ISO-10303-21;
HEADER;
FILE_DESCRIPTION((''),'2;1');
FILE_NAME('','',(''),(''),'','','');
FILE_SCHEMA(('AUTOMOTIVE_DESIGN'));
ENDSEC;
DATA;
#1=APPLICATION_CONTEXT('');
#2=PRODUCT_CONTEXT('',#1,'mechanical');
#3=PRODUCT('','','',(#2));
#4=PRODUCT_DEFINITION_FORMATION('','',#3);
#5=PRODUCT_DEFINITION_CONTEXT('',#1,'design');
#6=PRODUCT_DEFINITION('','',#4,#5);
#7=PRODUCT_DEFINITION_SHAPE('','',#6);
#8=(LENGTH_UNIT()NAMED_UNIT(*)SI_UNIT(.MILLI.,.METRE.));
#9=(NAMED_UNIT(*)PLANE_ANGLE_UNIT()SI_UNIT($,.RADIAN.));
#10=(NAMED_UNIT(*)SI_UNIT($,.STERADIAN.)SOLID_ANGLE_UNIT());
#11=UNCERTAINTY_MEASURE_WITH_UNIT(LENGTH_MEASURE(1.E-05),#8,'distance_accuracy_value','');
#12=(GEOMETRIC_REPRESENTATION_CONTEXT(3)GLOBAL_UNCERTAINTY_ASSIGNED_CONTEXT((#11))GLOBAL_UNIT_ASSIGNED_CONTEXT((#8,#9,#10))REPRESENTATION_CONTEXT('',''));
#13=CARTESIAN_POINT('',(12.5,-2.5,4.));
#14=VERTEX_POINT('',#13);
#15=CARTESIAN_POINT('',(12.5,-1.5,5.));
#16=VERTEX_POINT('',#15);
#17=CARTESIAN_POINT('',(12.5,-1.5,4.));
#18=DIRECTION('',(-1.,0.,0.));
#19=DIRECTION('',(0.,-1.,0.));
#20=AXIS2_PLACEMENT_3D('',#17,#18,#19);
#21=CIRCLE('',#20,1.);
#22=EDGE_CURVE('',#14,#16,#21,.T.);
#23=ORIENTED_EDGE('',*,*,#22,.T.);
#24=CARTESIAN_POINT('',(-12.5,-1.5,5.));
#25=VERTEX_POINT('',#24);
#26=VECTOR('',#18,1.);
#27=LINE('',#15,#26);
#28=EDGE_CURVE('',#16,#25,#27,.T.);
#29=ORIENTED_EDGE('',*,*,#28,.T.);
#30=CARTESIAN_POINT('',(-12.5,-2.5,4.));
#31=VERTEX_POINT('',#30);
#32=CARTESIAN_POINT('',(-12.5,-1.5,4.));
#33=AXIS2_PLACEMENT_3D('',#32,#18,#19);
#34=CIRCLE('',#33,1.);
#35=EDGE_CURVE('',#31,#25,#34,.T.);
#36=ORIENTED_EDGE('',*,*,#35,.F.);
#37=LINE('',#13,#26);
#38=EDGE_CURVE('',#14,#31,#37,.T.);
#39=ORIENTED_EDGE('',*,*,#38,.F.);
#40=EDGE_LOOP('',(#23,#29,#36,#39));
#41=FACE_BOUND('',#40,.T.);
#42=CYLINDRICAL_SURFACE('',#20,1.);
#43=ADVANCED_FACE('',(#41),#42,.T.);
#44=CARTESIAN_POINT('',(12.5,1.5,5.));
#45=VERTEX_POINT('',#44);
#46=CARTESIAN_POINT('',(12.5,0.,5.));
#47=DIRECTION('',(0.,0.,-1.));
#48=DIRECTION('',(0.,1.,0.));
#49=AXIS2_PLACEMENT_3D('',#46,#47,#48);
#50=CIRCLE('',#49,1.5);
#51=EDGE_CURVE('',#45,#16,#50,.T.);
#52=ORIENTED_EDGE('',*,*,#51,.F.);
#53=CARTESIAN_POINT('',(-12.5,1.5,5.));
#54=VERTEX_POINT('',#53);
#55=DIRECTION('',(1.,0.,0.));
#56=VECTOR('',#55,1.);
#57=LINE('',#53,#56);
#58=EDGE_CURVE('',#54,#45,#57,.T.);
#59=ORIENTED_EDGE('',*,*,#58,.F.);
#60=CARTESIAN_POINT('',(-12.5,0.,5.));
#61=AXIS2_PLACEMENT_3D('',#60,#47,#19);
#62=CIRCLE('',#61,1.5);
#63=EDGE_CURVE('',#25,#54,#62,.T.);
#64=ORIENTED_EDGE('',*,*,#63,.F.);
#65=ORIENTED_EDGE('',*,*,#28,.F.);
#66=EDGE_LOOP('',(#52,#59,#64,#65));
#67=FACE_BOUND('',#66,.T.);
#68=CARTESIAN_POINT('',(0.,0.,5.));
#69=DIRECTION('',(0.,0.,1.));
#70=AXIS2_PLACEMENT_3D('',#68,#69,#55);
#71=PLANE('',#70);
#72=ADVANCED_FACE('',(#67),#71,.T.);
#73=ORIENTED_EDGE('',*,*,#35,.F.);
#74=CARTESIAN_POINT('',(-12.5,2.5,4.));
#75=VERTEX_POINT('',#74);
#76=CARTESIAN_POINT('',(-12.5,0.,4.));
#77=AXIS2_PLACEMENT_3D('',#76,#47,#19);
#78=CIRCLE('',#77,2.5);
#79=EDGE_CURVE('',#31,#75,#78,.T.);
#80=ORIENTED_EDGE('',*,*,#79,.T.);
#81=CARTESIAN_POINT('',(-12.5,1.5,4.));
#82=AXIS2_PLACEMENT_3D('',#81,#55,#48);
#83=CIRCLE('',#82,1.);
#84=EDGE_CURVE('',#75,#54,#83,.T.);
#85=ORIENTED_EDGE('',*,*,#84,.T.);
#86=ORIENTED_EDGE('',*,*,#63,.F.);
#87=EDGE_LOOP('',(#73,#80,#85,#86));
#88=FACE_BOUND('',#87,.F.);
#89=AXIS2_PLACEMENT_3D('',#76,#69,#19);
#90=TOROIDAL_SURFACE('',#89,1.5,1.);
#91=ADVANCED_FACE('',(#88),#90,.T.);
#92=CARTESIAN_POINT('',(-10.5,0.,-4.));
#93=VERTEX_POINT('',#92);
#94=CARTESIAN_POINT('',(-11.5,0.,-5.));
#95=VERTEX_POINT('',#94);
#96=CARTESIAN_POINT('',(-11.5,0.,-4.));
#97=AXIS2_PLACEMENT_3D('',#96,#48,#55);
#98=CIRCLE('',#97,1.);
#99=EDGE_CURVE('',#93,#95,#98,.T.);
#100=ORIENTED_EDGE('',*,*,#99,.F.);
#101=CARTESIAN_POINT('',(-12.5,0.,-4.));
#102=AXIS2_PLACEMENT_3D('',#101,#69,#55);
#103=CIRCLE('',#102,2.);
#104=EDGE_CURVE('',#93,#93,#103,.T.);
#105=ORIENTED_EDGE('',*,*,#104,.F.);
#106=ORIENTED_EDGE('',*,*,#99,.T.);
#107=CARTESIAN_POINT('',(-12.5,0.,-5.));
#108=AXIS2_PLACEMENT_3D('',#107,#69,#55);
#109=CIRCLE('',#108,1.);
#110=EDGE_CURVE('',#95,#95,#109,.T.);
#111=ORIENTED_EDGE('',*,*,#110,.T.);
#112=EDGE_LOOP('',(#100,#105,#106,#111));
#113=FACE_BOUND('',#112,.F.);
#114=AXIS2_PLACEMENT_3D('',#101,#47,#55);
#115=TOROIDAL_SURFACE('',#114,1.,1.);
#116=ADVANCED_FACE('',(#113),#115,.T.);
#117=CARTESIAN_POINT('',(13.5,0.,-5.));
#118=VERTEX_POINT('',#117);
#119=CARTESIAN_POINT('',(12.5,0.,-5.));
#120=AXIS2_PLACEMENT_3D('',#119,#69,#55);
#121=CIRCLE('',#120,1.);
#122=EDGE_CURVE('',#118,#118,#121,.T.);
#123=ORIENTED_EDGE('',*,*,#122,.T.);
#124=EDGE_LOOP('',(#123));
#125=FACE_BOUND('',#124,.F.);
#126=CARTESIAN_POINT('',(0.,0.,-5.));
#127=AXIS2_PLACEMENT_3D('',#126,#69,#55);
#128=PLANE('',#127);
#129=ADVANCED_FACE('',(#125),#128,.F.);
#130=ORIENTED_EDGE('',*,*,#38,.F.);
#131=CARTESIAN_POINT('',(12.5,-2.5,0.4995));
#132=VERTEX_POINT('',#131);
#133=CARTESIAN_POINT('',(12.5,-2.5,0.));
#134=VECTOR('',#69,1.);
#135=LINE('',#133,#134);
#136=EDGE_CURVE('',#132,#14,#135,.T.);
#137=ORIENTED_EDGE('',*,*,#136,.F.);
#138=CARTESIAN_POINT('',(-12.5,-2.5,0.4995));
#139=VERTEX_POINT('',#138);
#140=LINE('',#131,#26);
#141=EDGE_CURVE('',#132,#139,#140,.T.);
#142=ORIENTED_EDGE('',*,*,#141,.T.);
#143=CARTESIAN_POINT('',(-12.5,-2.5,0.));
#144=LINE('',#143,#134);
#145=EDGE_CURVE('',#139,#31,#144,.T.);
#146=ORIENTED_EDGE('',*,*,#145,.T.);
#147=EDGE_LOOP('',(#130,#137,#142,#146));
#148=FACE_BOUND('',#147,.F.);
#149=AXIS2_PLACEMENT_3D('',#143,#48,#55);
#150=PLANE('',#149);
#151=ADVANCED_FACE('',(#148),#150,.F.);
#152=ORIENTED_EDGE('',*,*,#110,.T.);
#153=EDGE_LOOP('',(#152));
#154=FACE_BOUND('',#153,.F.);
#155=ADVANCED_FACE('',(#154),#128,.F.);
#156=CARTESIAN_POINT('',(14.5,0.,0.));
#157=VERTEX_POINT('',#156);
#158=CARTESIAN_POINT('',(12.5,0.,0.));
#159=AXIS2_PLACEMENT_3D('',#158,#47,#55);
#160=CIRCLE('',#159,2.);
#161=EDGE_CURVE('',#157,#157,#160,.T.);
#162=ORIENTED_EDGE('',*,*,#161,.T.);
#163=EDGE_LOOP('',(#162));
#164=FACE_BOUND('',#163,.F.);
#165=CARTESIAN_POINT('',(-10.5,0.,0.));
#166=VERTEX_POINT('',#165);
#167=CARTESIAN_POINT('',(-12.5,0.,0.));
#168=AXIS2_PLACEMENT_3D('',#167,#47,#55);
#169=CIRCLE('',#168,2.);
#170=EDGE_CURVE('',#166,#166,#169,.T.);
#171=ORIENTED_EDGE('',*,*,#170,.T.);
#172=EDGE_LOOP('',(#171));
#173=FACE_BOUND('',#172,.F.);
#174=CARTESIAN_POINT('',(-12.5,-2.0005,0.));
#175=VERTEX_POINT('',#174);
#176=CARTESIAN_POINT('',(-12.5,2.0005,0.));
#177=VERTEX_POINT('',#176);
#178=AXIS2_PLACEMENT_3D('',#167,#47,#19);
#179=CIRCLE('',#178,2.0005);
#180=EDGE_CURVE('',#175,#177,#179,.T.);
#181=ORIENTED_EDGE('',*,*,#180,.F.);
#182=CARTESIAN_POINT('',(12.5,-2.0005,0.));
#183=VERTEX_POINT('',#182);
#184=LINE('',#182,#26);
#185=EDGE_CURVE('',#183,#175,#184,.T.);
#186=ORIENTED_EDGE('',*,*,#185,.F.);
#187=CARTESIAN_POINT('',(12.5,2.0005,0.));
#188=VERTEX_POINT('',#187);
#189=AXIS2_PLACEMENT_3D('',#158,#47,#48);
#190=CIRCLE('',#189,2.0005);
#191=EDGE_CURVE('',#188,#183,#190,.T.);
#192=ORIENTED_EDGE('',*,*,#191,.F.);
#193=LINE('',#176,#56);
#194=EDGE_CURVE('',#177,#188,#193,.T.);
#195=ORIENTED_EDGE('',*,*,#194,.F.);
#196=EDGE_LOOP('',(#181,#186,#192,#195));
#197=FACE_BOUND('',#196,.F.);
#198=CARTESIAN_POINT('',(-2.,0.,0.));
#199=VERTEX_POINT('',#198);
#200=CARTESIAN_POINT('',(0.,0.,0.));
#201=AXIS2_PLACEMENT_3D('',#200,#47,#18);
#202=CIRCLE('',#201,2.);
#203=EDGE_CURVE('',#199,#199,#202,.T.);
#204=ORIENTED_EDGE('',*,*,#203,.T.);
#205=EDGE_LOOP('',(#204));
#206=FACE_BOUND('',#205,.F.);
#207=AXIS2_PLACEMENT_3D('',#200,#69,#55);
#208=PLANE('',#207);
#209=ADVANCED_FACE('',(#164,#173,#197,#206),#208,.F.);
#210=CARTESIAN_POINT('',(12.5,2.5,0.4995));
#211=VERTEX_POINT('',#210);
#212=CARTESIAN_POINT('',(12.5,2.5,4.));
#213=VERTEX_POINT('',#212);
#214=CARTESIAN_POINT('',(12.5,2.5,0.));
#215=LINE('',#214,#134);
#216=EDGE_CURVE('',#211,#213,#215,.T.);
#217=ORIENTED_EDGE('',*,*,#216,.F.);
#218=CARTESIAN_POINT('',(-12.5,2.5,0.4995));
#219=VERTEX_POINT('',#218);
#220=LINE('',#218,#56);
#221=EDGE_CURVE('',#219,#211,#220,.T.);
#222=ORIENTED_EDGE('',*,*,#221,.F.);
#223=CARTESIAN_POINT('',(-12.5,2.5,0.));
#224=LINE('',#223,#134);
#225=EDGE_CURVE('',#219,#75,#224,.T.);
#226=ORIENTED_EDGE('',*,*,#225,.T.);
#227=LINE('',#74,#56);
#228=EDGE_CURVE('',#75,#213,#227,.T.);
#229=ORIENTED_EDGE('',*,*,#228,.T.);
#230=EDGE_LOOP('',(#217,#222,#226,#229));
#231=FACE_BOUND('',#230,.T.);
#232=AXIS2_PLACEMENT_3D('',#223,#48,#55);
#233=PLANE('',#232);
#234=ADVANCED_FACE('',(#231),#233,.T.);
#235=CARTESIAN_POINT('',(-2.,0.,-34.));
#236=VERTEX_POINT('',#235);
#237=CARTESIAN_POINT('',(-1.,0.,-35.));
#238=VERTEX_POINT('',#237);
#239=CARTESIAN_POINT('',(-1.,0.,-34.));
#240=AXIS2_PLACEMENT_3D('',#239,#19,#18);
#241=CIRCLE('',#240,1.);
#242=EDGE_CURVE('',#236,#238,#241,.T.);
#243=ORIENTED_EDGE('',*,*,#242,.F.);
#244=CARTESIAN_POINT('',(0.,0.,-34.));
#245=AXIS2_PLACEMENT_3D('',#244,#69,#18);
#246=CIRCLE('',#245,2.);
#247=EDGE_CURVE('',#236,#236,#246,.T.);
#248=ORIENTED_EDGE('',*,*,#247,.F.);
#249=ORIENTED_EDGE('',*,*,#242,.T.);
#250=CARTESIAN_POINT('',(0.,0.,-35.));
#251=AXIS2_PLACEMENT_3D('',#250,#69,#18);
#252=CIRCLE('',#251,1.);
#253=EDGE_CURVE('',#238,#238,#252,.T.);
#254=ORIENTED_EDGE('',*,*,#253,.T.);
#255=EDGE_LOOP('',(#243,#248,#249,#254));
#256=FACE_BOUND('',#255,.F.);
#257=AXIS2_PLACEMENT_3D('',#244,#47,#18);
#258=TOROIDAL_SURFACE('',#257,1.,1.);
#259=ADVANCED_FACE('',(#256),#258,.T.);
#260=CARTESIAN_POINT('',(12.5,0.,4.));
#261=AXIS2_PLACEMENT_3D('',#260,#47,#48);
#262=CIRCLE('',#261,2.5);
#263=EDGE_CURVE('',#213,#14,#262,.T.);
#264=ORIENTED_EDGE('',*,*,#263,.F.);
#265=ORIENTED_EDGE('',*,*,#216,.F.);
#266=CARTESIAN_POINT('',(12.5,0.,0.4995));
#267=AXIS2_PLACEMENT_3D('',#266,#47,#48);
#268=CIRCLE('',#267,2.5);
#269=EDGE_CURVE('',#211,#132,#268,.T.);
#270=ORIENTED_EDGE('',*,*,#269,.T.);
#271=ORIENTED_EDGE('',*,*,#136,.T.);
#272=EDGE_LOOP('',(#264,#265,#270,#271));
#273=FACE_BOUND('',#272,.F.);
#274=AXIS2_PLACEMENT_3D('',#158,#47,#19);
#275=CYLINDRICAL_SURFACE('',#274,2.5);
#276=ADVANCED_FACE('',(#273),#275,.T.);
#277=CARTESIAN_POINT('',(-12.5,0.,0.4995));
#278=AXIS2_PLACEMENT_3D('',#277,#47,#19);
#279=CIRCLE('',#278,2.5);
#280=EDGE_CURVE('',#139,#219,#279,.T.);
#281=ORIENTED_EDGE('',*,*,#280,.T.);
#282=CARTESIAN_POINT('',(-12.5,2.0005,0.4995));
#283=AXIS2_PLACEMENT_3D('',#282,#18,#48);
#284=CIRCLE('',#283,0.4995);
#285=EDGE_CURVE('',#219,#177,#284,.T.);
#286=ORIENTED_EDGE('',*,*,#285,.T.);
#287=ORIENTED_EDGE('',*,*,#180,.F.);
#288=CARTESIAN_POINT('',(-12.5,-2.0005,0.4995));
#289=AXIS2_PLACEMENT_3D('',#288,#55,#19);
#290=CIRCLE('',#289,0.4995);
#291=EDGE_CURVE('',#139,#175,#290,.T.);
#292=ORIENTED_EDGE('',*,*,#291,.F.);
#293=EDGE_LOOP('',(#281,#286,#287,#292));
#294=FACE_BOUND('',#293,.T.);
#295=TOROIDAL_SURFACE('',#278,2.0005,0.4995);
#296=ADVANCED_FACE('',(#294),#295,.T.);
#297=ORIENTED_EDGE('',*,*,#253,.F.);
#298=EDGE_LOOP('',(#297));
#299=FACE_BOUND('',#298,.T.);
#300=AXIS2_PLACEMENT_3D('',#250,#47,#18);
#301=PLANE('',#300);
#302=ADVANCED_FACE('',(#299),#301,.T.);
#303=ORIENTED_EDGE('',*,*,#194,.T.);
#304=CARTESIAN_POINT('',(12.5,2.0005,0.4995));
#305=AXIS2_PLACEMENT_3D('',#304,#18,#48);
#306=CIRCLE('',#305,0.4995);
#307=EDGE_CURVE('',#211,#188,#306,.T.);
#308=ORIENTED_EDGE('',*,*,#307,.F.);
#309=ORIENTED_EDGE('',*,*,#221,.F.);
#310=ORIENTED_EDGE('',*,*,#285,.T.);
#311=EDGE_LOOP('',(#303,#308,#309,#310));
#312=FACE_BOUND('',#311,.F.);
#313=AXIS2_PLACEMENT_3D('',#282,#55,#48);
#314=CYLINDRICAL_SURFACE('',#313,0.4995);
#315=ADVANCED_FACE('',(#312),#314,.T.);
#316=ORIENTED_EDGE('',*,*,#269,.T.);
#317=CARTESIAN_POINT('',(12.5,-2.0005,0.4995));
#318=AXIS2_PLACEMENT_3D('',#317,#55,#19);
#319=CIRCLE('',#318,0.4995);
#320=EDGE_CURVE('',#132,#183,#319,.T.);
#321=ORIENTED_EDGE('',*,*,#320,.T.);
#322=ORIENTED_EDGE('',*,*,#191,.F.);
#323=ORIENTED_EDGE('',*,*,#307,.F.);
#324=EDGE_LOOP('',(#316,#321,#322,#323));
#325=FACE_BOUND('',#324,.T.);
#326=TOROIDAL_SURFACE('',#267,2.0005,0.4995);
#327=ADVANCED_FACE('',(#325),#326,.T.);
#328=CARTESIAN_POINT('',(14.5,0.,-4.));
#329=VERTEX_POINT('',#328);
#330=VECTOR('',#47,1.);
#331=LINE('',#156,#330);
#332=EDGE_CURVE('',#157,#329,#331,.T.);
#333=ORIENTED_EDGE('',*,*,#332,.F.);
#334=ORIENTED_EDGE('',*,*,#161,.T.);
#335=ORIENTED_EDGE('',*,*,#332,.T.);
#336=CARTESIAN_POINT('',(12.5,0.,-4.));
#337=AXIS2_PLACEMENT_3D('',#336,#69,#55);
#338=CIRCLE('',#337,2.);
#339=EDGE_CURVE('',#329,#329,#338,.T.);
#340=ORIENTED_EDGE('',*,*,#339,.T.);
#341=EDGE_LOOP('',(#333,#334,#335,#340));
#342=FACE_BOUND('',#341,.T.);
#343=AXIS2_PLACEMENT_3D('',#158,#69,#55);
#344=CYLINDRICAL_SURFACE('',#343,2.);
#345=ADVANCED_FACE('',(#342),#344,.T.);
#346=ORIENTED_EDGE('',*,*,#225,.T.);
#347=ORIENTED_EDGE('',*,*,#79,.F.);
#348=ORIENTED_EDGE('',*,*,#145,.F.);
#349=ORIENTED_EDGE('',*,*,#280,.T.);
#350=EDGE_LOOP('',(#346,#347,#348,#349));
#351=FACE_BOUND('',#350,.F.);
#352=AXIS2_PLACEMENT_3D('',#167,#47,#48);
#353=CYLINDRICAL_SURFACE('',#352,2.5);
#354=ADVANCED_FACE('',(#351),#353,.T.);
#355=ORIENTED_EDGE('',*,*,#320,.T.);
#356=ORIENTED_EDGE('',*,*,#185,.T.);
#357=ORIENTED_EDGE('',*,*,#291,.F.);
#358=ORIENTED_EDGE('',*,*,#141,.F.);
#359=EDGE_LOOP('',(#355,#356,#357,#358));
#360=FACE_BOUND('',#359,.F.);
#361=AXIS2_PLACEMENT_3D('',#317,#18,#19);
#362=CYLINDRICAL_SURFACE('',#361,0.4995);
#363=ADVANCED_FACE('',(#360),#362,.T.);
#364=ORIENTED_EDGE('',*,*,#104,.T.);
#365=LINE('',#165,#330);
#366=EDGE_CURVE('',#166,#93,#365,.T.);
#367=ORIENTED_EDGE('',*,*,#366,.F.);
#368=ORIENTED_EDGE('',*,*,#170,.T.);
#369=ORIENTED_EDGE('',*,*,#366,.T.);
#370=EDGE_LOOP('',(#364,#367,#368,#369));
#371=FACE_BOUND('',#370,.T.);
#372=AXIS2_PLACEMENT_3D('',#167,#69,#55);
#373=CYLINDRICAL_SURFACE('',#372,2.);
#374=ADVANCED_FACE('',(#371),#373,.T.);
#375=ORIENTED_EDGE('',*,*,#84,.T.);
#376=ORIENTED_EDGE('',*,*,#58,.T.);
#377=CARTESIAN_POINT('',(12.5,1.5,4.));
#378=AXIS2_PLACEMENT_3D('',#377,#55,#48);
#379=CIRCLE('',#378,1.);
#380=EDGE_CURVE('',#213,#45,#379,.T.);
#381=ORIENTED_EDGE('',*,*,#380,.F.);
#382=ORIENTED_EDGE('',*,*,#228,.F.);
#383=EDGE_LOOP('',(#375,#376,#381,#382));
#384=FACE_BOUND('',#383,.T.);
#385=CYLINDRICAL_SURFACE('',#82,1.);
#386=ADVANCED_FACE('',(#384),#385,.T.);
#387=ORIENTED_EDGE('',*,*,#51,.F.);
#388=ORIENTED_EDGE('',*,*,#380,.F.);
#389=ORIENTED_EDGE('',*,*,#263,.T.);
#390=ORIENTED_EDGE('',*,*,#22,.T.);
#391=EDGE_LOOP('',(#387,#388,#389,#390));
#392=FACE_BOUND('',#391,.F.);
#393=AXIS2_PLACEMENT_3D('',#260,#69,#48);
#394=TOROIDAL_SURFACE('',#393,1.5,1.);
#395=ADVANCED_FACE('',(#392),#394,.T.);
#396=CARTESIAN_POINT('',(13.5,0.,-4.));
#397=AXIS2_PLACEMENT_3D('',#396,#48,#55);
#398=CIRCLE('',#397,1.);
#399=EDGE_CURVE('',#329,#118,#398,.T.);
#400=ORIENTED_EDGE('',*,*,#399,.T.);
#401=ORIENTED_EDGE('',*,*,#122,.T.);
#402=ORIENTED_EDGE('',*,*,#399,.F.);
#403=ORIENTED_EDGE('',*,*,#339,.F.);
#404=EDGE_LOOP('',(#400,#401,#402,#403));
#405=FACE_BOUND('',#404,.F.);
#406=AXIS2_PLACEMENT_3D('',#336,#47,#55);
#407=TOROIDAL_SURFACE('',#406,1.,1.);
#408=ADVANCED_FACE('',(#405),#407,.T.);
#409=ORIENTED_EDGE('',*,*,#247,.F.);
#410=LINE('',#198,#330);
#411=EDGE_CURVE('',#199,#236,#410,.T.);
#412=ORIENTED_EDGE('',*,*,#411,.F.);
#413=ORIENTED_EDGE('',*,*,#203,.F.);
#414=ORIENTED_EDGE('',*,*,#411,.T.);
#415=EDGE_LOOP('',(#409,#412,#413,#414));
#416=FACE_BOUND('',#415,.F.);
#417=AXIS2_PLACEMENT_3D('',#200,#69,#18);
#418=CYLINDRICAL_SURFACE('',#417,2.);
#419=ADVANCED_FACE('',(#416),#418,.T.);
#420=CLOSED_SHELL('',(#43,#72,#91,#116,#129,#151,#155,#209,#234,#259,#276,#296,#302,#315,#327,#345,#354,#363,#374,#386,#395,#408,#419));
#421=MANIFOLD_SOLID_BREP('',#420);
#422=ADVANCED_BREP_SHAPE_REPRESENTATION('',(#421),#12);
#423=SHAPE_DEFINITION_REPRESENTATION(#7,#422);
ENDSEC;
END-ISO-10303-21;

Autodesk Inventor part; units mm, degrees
ref_plane "YZ Plane" through (0, 0, 0) normal (1, 0, 0) x (0, 1, 0)
ref_plane "XZ Plane" through (0, 0, 0) normal (0, 1, 0) x (-1, 0, 0)
ref_plane "XY Plane" through (0, 0, 0) normal (0, 0, 1) x (1, 0, 0)
sketch "Sketch1" plane through (0, 0, 0) normal (0, 0, 1) x (1, 0, 0)
  circle A0 centre (-12.5, 0) radius 2
  line L0 (0, -3.5) -> (0, 3.5) projected
  line L1 (-21, 0) -> (21, 0) projected
  arc A1 (-12.5, 2.5) -> (-12.5, -2.5) centre (-12.5, 0) ccw
  circle A2 centre (12.5, 0) radius 2
  arc A3 (12.5, -2.5) -> (12.5, 2.5) centre (12.5, 0) ccw
  line L2 (-12.5, 2.5) -> (12.5, 2.5)
  line L3 (-12.5, -2.5) -> (12.5, -2.5)
  point P0 (0, 0)
  dimension "d0" = 4
  dimension "d2" = 5
  dimension "d3" = 25
extrude "Extrusion1" add sketch "Sketch1" along normal blind 5
extrude "Extrusion2" add sketch "Sketch1" against normal blind 5 contours L1 A0 | A0 L1 | A2 L1 | L1 A2
sketch "Sketch2" plane through (0, 0, 0) normal (0, 0, -1) x (-1, 0, 0)
  circle A0 centre (0, 0) radius 2
  line L0 (0, -3.5996) -> (0, 4.0974) projected
  line L1 (21, 0) -> (-21, 0) projected
  dimension "d8" = 4
extrude "Extrusion3" add sketch "Sketch2" along normal blind 35
fillet "Fillet1" radius 1 7 edges at (2, 0, -35) (10.5, 0, -5) (-14.5, 0, -5) (-15, 0, 5) (0, -2.5, 5) (15, 0, 5) (0, 2.5, 5)
fillet "Fillet2" radius 0.5 4 edges at (-15, 0, 0) (0, -2.5, 0) (15, 0, 0) (0, 2.5, 0)
properties part number "Steering Mounting Plate 3"
